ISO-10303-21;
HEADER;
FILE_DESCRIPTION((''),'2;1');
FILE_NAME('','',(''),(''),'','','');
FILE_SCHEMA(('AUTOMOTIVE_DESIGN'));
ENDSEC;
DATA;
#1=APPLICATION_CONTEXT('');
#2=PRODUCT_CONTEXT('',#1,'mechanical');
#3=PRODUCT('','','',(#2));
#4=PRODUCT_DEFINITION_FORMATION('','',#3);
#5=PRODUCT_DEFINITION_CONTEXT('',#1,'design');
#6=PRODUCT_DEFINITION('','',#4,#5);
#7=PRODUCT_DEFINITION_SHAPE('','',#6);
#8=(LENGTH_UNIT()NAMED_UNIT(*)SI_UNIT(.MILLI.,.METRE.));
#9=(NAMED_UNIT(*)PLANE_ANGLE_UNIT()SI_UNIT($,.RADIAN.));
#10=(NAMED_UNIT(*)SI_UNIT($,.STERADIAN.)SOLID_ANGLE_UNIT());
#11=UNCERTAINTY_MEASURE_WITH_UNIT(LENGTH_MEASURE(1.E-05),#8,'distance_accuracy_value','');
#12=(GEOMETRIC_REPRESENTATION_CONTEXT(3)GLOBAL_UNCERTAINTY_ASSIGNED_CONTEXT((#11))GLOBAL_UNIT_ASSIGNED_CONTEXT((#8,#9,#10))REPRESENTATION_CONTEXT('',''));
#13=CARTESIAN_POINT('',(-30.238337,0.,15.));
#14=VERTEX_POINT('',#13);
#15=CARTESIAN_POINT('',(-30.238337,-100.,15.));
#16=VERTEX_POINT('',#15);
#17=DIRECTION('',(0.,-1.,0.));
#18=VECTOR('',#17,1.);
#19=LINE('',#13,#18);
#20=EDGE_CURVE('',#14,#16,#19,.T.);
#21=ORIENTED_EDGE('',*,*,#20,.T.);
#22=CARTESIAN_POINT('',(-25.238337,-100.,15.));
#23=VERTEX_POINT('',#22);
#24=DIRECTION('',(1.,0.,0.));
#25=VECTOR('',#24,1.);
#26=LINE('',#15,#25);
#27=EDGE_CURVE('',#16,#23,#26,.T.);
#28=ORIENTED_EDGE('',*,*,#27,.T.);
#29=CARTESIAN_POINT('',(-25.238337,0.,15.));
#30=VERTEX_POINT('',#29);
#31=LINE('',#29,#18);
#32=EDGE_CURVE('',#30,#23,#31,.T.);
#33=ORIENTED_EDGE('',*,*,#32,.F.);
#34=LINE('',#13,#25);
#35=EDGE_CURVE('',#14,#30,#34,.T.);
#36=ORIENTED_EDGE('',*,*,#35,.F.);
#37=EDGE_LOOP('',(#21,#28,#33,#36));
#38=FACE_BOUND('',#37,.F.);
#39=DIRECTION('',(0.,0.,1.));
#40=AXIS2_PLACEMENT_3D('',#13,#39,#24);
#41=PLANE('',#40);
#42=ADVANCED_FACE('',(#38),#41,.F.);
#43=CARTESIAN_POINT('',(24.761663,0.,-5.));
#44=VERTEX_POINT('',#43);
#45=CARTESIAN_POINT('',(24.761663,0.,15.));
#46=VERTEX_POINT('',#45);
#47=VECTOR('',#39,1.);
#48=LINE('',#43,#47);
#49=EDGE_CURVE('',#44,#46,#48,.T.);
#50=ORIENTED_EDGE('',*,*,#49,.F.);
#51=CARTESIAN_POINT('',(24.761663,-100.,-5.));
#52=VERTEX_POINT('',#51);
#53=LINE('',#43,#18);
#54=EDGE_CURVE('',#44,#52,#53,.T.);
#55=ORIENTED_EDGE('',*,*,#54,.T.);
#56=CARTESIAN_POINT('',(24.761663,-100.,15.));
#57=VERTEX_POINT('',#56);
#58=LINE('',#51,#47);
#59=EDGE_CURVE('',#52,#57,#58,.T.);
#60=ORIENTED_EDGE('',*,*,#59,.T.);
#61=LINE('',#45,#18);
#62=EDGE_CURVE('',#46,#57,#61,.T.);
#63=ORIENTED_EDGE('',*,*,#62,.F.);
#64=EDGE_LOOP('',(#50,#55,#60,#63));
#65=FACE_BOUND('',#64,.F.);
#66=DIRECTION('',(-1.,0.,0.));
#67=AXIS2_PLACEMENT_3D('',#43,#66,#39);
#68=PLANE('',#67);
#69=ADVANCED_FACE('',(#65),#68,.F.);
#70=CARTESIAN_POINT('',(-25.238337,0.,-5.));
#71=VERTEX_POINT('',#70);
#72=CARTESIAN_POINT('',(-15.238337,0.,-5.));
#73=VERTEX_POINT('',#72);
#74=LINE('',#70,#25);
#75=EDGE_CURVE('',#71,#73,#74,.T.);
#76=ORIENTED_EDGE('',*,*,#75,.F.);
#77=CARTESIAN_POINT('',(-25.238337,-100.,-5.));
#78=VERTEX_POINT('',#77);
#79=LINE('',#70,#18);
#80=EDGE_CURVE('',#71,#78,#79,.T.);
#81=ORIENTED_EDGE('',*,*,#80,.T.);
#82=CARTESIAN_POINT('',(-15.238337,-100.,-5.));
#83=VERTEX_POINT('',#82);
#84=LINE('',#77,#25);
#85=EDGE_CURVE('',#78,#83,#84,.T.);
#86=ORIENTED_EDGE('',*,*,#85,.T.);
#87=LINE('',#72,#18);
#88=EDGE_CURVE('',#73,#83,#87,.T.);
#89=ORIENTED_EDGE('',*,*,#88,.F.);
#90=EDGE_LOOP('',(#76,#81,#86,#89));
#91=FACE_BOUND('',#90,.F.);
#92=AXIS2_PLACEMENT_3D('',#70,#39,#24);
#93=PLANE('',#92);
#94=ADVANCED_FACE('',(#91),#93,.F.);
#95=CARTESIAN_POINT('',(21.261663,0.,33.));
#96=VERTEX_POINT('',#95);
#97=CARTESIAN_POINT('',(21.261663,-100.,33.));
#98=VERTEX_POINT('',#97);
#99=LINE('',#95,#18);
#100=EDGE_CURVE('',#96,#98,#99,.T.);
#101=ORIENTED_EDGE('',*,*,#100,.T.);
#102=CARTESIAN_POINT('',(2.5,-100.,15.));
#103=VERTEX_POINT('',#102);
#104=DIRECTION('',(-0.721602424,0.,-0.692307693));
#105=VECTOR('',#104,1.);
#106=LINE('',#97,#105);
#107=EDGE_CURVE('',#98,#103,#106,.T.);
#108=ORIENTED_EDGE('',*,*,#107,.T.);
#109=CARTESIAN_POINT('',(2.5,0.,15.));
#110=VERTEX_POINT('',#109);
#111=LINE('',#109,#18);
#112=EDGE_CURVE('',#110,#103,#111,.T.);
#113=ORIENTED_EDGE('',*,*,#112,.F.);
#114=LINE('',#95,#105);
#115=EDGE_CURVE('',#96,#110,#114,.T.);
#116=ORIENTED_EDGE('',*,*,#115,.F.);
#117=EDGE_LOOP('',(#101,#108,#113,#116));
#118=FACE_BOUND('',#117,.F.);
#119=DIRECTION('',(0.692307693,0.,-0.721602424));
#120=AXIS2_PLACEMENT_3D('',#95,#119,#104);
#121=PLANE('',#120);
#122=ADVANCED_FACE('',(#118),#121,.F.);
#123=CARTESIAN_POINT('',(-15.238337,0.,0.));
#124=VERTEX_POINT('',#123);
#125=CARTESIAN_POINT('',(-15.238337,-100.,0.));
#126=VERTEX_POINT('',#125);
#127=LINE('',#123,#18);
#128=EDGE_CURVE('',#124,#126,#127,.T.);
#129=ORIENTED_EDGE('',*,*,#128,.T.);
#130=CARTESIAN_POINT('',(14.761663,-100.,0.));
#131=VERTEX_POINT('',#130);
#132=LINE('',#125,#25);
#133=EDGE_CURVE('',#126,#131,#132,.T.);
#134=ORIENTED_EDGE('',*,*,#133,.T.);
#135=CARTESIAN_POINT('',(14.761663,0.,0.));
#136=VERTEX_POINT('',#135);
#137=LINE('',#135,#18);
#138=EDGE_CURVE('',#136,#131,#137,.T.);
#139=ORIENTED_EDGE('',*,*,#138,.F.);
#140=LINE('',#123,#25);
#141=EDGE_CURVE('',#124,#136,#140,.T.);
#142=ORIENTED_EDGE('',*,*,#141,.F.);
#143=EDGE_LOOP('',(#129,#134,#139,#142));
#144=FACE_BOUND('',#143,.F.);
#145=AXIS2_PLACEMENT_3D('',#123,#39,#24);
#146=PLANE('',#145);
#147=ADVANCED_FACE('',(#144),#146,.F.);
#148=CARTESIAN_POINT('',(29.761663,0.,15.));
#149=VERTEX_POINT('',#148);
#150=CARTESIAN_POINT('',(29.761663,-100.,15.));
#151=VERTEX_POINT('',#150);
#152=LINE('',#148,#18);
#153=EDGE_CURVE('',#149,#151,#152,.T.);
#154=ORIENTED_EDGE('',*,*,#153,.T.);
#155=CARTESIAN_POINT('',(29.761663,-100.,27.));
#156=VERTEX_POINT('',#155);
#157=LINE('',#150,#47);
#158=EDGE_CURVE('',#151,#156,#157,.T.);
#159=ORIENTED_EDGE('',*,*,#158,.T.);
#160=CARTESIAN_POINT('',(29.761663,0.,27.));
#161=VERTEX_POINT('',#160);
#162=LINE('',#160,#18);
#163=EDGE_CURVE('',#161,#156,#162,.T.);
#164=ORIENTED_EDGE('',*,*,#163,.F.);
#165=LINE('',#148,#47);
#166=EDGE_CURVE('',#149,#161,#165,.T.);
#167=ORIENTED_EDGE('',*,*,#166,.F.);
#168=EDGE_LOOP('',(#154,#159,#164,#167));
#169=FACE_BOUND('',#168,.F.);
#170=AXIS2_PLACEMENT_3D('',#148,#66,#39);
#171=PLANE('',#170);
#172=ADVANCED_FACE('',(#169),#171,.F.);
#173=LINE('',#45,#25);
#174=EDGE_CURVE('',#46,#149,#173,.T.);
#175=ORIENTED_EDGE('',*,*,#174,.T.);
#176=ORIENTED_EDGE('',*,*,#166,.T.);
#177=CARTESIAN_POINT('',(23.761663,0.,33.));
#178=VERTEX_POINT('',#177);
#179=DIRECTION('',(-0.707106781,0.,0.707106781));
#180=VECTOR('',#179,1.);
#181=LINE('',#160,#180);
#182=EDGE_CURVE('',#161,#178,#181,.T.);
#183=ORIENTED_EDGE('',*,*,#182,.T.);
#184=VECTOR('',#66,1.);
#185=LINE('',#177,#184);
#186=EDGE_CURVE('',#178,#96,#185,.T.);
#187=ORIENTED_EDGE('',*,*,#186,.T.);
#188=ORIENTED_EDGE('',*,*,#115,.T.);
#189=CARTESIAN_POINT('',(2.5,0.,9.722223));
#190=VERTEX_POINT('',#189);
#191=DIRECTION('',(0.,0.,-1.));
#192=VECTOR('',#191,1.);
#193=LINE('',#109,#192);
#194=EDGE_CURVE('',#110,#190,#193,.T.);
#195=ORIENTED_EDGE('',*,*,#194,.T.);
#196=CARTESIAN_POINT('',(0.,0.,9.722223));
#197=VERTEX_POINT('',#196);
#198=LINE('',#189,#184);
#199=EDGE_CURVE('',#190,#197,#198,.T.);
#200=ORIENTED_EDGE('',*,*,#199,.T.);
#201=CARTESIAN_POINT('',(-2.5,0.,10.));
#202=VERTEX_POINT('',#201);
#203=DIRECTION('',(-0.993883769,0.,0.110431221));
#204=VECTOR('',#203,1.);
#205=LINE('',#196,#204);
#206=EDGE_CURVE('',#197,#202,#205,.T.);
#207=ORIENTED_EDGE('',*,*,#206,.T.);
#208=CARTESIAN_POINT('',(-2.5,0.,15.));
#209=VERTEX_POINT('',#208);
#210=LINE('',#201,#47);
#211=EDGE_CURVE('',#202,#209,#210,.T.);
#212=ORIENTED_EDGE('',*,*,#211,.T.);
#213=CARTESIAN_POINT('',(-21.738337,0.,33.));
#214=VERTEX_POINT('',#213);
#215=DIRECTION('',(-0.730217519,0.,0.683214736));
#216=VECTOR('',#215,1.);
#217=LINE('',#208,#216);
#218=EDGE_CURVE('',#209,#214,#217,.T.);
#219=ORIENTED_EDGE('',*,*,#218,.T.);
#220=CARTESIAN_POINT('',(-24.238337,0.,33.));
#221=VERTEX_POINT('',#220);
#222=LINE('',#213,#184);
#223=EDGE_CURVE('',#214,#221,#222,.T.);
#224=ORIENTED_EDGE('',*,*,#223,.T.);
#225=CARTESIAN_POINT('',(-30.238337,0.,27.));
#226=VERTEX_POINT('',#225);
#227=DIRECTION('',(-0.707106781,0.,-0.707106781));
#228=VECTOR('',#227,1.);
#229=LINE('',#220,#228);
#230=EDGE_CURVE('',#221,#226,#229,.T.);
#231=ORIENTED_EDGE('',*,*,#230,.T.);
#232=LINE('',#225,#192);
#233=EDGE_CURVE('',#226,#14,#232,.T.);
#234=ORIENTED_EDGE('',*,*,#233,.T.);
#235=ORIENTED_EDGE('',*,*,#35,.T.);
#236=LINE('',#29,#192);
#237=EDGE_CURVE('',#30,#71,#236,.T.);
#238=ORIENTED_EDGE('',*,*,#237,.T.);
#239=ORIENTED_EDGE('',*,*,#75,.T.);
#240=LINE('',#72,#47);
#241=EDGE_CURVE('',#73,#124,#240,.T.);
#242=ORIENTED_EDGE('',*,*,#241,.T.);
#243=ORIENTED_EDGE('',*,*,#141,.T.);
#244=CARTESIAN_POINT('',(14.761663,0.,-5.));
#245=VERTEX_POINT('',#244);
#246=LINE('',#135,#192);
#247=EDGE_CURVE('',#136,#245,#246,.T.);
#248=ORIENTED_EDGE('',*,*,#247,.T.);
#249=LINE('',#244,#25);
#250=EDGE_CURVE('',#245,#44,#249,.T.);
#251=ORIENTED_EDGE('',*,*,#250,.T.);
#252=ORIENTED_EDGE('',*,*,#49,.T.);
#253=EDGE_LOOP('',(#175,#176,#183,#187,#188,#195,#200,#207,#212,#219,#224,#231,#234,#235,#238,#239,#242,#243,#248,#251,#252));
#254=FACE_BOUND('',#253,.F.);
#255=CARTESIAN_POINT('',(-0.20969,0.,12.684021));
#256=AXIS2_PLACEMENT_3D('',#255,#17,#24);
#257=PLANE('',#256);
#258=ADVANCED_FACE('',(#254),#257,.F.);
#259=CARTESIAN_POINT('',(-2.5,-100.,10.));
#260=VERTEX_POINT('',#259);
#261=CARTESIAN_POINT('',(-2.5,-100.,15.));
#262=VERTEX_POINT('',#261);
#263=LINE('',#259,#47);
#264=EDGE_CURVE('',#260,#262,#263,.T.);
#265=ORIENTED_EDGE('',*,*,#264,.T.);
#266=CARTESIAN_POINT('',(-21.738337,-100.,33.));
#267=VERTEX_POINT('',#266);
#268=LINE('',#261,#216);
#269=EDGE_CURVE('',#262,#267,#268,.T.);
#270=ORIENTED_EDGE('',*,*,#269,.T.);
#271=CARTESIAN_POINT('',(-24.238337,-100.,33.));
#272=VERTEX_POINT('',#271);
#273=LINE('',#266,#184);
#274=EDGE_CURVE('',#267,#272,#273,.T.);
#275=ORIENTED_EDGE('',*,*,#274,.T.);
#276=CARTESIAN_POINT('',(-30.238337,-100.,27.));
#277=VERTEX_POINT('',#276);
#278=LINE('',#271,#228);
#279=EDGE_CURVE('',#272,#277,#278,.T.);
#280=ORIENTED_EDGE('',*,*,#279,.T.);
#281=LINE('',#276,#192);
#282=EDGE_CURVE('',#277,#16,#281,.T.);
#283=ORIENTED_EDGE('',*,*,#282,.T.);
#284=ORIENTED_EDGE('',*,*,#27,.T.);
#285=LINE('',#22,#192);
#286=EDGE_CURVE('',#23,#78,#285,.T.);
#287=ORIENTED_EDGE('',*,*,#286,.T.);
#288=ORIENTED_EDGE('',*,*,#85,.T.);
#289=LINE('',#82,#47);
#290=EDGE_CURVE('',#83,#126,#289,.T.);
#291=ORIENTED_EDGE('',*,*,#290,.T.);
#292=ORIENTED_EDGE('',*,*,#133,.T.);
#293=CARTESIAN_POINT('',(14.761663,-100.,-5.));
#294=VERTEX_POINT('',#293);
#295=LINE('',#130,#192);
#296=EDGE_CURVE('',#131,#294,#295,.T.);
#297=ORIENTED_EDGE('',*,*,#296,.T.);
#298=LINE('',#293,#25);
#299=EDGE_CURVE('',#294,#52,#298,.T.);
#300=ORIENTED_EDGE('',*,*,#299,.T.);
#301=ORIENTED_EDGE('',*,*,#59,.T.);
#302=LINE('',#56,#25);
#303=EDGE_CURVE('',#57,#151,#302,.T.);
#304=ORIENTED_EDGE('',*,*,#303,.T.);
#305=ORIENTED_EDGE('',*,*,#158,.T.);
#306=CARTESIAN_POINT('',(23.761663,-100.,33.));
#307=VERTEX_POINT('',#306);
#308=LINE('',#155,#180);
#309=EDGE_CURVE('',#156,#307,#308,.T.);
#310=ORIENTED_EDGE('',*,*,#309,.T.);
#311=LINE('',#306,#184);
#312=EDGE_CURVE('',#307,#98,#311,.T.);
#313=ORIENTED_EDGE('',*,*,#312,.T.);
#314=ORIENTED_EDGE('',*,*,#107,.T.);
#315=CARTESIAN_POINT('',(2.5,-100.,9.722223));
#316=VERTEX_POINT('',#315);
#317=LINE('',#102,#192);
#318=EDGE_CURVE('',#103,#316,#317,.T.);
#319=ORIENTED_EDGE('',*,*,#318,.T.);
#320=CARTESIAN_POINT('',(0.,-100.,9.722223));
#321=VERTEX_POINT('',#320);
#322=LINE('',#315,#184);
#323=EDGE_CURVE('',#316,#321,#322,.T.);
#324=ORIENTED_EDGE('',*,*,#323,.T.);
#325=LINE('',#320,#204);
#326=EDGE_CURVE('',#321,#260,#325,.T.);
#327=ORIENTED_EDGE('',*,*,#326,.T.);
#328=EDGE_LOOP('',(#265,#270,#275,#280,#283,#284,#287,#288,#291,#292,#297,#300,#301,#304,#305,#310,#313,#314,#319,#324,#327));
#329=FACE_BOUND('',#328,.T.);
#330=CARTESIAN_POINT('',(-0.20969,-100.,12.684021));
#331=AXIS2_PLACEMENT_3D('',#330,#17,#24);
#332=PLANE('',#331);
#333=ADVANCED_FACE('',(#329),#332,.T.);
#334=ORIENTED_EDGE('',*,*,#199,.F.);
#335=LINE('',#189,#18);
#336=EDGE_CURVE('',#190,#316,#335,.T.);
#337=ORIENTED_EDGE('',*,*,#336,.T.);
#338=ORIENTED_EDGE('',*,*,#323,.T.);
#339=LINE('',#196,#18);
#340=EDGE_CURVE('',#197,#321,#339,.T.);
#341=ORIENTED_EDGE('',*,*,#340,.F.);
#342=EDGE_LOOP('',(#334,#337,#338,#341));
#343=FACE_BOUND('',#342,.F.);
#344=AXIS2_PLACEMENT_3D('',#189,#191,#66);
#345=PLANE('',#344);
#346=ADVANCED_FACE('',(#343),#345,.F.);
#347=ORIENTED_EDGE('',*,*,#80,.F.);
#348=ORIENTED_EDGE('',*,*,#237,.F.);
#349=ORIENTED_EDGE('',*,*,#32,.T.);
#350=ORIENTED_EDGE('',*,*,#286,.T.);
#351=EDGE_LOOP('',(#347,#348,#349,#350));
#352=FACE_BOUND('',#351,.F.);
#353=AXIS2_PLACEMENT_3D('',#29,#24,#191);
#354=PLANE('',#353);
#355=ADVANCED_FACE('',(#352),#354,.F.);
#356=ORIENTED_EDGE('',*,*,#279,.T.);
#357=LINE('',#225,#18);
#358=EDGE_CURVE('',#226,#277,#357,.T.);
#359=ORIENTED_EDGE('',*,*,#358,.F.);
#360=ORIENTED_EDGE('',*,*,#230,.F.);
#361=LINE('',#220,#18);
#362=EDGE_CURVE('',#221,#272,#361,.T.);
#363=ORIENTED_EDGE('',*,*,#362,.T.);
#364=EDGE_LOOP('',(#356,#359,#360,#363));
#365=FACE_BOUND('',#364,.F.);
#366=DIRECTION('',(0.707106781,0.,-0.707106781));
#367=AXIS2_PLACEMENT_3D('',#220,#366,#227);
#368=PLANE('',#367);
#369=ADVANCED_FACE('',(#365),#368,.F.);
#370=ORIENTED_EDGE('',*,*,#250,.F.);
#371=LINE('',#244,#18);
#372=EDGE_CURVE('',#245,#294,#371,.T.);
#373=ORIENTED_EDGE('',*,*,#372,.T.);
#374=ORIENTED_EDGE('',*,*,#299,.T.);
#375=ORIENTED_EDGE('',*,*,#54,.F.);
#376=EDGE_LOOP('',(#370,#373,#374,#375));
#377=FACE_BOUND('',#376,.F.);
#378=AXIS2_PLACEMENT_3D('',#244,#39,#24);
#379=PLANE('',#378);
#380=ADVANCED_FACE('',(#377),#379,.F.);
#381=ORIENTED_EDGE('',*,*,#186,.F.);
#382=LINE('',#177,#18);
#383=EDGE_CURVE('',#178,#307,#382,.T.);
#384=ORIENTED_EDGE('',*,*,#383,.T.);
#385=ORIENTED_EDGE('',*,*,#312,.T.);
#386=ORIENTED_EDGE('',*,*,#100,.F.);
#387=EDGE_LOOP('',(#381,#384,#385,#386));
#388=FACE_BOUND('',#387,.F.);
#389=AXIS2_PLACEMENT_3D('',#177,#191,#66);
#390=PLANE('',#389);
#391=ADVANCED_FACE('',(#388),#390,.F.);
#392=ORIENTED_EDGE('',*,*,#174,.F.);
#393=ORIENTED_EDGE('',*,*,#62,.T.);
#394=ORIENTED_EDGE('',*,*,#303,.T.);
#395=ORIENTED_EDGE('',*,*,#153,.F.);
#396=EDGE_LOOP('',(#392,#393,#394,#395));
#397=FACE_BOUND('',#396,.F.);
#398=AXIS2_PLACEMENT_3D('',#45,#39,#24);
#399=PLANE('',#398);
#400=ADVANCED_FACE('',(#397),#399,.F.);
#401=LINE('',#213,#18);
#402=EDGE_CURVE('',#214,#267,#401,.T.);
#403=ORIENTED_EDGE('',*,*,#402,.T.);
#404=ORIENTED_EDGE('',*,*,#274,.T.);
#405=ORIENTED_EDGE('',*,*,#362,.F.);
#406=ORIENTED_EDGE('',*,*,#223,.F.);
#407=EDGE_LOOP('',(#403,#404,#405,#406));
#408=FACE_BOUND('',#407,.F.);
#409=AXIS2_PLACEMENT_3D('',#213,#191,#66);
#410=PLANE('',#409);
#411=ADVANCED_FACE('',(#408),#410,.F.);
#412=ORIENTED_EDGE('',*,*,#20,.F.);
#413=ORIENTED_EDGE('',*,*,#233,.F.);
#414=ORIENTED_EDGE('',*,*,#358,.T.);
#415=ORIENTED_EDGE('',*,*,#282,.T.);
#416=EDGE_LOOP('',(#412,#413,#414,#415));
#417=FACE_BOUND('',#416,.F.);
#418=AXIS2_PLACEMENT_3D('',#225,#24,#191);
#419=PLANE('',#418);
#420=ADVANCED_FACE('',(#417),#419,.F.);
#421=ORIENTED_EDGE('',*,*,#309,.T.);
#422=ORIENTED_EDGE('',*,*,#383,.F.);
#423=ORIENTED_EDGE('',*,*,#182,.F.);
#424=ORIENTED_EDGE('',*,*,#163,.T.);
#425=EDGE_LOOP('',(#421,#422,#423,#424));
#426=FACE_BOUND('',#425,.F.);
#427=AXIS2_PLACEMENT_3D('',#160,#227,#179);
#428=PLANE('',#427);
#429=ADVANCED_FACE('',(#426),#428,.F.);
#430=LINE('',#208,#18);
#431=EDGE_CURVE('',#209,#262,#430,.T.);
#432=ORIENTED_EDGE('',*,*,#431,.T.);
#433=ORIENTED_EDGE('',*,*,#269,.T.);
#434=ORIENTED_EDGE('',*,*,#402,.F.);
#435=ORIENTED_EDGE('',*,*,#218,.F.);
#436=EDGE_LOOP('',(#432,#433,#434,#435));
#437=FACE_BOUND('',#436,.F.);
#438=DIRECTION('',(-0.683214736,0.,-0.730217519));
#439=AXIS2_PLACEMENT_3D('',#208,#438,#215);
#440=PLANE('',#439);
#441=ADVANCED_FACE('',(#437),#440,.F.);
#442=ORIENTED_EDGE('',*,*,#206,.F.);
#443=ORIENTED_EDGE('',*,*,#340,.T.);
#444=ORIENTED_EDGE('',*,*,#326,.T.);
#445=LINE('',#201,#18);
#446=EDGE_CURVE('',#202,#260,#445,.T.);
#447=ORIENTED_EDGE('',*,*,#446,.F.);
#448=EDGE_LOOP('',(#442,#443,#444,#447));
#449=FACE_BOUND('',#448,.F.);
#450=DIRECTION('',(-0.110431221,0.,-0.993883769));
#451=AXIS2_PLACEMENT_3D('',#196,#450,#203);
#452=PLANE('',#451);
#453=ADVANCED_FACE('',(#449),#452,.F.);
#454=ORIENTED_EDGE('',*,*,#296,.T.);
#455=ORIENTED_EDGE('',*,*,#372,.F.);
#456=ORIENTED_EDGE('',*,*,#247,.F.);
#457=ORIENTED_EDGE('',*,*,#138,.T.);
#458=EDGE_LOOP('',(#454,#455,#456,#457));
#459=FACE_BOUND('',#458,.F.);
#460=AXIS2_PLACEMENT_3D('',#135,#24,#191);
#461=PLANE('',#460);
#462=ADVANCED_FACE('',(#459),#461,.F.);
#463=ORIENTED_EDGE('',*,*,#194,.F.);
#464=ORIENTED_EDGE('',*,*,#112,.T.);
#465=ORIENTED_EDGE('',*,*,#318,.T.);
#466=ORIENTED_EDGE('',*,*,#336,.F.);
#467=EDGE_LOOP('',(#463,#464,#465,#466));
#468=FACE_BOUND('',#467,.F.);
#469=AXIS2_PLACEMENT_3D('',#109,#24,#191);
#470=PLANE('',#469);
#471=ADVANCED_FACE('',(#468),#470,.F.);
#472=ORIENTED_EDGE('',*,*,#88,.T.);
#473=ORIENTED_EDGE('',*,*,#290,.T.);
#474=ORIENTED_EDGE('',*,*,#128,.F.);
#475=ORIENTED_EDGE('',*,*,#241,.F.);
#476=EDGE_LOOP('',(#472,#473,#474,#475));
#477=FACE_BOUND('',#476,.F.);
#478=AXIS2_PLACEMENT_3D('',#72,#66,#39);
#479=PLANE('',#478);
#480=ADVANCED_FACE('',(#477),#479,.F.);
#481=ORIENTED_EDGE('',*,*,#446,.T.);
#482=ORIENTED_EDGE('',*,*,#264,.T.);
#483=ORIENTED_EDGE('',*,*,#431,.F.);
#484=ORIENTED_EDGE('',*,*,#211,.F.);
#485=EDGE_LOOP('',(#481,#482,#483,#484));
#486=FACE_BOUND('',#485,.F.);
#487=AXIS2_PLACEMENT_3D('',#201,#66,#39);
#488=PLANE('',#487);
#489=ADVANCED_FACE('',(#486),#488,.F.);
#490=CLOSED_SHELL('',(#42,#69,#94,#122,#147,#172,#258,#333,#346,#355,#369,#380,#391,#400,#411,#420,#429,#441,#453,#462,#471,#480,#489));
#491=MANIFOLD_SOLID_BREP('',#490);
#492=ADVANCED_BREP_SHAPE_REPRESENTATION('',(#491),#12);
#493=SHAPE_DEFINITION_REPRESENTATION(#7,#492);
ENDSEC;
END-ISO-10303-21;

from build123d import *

# Parameters (mm, degrees)
F1_DEPTH = 100


with BuildPart() as f1:
    # F0 (on Front) → F1 (new body)
    with BuildSketch(Plane.XZ):
        Polygon((-15.238337, 0), (0, 0), (14.761663, 0), (14.761663, -5), (24.761663, -5), (24.761663, 15), (29.761663, 15), (29.761663, 27), (23.761663, 33), (21.261663, 33), (2.5, 15), (2.5, 9.722223), (0, 9.722223), (-2.5, 10), (-2.5, 15), (-21.738337, 33), (-24.238337, 33), (-30.238337, 27), (-30.238337, 15), (-25.238337, 15), (-25.238337, -5), (-15.238337, -5), align=None)
    extrude(amount=F1_DEPTH)


solid = f1.part
